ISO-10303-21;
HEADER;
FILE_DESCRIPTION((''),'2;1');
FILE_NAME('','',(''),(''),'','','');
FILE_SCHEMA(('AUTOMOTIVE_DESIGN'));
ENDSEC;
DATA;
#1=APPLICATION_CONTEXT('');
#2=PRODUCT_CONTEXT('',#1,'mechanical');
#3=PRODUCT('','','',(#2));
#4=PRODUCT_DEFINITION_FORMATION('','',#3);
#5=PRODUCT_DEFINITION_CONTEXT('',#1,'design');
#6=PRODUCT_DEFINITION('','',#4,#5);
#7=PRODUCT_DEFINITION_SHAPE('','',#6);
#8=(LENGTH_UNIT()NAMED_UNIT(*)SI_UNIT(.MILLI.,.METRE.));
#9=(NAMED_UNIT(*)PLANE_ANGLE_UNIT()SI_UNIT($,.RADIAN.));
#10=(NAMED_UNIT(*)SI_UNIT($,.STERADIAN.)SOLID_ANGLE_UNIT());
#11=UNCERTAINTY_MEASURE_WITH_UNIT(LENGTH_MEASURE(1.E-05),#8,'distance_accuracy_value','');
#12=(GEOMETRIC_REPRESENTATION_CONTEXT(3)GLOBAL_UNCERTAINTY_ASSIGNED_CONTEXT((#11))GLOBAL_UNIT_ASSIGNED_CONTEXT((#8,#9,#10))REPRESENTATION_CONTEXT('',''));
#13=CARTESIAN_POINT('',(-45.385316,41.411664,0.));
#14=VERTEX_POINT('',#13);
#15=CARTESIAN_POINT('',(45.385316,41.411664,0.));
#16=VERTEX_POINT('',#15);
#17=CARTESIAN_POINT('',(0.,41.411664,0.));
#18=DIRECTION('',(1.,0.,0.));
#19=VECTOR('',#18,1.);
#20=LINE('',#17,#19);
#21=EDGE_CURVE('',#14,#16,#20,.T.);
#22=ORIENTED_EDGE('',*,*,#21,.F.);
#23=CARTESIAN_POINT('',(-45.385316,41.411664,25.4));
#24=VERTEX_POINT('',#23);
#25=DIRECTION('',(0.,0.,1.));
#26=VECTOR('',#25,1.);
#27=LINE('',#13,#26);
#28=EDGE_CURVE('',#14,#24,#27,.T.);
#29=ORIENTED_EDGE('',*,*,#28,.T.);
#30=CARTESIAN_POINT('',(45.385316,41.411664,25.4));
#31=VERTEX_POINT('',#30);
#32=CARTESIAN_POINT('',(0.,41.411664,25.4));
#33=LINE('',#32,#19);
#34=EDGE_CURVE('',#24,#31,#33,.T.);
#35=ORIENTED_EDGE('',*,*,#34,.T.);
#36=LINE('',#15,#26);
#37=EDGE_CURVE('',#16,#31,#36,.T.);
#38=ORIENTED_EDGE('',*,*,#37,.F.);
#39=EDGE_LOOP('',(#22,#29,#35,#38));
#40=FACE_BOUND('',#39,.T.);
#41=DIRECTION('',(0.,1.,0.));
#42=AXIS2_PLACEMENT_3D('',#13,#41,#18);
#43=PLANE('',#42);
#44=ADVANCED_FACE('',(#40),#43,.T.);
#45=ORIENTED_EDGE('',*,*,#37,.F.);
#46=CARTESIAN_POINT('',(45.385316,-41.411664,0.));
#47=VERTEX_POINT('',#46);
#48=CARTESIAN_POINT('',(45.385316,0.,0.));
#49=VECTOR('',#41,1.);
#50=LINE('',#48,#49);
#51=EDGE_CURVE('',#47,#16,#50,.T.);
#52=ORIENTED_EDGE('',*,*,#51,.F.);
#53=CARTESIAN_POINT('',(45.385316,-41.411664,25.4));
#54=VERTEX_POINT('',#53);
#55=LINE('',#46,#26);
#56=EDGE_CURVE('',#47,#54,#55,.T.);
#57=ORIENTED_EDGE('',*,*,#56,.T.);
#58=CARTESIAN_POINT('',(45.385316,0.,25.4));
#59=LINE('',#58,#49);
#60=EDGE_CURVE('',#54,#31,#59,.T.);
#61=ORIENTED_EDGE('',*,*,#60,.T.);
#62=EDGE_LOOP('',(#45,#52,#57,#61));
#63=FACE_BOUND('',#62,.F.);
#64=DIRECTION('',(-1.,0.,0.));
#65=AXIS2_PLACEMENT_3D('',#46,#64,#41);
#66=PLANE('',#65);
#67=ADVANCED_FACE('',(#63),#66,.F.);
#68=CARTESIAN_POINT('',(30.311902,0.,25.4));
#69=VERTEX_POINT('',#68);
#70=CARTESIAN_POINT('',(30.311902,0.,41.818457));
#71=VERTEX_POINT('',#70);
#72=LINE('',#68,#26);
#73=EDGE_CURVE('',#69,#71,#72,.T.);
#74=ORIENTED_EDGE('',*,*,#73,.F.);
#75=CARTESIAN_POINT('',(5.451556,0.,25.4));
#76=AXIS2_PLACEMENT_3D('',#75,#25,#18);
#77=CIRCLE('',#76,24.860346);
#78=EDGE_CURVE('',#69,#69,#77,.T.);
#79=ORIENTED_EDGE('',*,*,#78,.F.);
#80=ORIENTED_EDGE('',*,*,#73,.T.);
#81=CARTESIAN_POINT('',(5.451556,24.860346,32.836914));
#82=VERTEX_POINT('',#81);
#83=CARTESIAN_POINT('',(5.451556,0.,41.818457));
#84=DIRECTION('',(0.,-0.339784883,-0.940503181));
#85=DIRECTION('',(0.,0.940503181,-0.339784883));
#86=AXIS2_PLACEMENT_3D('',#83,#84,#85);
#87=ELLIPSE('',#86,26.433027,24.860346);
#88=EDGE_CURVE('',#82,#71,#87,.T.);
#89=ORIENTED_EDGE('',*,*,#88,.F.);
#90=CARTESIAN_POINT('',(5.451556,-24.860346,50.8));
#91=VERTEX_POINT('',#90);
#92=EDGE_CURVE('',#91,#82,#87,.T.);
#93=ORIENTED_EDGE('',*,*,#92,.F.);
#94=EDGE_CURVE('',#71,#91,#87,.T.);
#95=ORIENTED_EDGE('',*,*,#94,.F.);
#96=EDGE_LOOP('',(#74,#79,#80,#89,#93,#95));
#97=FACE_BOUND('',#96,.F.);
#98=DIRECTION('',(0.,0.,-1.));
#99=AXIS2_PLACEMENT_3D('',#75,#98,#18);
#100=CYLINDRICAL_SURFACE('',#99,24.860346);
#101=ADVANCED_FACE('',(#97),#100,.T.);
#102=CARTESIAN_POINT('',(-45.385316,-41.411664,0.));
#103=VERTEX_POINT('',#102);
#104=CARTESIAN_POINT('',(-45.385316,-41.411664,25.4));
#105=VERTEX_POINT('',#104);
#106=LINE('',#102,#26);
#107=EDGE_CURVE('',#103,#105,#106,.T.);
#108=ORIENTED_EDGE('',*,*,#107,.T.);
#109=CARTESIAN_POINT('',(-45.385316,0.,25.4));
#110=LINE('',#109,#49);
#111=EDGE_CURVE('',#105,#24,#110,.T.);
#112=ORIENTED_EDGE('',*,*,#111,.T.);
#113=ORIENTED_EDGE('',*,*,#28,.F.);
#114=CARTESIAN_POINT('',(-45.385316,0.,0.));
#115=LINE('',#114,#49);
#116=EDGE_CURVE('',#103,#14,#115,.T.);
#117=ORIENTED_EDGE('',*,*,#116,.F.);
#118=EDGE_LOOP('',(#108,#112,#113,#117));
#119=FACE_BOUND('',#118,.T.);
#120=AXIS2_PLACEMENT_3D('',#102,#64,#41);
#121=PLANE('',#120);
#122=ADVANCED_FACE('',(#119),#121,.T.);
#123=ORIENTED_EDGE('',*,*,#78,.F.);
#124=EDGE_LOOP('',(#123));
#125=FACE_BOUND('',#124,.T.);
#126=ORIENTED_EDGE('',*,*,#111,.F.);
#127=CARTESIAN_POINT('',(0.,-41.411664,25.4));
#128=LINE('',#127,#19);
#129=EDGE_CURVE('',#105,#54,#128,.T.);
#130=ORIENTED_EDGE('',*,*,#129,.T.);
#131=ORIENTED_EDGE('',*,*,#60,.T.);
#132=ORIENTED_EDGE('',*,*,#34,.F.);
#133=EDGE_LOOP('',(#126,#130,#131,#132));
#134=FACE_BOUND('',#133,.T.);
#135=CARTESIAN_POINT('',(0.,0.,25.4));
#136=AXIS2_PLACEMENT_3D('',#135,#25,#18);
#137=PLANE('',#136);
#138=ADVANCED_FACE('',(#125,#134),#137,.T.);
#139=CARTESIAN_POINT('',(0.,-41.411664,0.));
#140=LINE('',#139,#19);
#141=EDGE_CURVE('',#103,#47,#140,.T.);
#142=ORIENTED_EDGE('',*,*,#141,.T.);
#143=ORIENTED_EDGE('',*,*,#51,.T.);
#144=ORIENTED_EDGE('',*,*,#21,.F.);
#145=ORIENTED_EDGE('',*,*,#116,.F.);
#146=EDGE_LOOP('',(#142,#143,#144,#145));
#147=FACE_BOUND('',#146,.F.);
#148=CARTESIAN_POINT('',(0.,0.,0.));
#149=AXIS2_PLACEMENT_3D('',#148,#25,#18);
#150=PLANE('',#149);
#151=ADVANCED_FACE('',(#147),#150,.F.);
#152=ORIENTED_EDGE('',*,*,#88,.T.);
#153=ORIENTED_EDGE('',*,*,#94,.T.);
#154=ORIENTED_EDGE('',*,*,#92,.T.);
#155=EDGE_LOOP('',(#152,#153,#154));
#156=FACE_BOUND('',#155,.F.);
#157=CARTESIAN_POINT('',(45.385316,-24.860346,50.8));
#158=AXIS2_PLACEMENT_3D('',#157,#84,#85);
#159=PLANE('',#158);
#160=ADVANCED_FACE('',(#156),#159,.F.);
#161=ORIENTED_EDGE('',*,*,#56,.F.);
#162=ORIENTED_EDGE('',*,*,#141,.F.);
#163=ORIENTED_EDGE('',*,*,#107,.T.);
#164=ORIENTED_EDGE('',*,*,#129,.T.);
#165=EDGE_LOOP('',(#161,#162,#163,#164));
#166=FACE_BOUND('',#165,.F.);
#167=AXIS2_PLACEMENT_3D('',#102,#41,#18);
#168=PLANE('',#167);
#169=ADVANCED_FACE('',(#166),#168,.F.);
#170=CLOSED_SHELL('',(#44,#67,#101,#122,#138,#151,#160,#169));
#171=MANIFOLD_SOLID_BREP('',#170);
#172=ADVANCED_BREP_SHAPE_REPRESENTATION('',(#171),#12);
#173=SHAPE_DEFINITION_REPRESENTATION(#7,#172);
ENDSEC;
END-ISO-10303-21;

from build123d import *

# Parameters (mm, degrees)
F0_W     = 90.770632
F0_H     = 82.823328
F1_DEPTH = 25.4
F2_R     = 24.860346
F3_DEPTH = 25.4
F5_DEPTH = 90.771632


with BuildPart() as f1:
    # F0 (on Top) → F1 (new body)
    with BuildSketch(Plane.XY):
        Rectangle(F0_W, F0_H)
    extrude(amount=F1_DEPTH)

    # F2 (on face) → F3 (join)
    with BuildSketch(Plane.XY.offset(25.4)):
        with Locations((5.451556, 0)):
            Circle(F2_R)
    extrude(amount=F3_DEPTH)

    # F4 (on face) → F5 (cut, through all)
    with BuildSketch(Plane.YZ.offset(45.385316)):
        Polygon((24.860346, 50.8), (-24.860346, 50.8), (24.860346, 32.836914), align=None)
    extrude(amount=-F5_DEPTH, mode=Mode.SUBTRACT)


solid = f1.part
